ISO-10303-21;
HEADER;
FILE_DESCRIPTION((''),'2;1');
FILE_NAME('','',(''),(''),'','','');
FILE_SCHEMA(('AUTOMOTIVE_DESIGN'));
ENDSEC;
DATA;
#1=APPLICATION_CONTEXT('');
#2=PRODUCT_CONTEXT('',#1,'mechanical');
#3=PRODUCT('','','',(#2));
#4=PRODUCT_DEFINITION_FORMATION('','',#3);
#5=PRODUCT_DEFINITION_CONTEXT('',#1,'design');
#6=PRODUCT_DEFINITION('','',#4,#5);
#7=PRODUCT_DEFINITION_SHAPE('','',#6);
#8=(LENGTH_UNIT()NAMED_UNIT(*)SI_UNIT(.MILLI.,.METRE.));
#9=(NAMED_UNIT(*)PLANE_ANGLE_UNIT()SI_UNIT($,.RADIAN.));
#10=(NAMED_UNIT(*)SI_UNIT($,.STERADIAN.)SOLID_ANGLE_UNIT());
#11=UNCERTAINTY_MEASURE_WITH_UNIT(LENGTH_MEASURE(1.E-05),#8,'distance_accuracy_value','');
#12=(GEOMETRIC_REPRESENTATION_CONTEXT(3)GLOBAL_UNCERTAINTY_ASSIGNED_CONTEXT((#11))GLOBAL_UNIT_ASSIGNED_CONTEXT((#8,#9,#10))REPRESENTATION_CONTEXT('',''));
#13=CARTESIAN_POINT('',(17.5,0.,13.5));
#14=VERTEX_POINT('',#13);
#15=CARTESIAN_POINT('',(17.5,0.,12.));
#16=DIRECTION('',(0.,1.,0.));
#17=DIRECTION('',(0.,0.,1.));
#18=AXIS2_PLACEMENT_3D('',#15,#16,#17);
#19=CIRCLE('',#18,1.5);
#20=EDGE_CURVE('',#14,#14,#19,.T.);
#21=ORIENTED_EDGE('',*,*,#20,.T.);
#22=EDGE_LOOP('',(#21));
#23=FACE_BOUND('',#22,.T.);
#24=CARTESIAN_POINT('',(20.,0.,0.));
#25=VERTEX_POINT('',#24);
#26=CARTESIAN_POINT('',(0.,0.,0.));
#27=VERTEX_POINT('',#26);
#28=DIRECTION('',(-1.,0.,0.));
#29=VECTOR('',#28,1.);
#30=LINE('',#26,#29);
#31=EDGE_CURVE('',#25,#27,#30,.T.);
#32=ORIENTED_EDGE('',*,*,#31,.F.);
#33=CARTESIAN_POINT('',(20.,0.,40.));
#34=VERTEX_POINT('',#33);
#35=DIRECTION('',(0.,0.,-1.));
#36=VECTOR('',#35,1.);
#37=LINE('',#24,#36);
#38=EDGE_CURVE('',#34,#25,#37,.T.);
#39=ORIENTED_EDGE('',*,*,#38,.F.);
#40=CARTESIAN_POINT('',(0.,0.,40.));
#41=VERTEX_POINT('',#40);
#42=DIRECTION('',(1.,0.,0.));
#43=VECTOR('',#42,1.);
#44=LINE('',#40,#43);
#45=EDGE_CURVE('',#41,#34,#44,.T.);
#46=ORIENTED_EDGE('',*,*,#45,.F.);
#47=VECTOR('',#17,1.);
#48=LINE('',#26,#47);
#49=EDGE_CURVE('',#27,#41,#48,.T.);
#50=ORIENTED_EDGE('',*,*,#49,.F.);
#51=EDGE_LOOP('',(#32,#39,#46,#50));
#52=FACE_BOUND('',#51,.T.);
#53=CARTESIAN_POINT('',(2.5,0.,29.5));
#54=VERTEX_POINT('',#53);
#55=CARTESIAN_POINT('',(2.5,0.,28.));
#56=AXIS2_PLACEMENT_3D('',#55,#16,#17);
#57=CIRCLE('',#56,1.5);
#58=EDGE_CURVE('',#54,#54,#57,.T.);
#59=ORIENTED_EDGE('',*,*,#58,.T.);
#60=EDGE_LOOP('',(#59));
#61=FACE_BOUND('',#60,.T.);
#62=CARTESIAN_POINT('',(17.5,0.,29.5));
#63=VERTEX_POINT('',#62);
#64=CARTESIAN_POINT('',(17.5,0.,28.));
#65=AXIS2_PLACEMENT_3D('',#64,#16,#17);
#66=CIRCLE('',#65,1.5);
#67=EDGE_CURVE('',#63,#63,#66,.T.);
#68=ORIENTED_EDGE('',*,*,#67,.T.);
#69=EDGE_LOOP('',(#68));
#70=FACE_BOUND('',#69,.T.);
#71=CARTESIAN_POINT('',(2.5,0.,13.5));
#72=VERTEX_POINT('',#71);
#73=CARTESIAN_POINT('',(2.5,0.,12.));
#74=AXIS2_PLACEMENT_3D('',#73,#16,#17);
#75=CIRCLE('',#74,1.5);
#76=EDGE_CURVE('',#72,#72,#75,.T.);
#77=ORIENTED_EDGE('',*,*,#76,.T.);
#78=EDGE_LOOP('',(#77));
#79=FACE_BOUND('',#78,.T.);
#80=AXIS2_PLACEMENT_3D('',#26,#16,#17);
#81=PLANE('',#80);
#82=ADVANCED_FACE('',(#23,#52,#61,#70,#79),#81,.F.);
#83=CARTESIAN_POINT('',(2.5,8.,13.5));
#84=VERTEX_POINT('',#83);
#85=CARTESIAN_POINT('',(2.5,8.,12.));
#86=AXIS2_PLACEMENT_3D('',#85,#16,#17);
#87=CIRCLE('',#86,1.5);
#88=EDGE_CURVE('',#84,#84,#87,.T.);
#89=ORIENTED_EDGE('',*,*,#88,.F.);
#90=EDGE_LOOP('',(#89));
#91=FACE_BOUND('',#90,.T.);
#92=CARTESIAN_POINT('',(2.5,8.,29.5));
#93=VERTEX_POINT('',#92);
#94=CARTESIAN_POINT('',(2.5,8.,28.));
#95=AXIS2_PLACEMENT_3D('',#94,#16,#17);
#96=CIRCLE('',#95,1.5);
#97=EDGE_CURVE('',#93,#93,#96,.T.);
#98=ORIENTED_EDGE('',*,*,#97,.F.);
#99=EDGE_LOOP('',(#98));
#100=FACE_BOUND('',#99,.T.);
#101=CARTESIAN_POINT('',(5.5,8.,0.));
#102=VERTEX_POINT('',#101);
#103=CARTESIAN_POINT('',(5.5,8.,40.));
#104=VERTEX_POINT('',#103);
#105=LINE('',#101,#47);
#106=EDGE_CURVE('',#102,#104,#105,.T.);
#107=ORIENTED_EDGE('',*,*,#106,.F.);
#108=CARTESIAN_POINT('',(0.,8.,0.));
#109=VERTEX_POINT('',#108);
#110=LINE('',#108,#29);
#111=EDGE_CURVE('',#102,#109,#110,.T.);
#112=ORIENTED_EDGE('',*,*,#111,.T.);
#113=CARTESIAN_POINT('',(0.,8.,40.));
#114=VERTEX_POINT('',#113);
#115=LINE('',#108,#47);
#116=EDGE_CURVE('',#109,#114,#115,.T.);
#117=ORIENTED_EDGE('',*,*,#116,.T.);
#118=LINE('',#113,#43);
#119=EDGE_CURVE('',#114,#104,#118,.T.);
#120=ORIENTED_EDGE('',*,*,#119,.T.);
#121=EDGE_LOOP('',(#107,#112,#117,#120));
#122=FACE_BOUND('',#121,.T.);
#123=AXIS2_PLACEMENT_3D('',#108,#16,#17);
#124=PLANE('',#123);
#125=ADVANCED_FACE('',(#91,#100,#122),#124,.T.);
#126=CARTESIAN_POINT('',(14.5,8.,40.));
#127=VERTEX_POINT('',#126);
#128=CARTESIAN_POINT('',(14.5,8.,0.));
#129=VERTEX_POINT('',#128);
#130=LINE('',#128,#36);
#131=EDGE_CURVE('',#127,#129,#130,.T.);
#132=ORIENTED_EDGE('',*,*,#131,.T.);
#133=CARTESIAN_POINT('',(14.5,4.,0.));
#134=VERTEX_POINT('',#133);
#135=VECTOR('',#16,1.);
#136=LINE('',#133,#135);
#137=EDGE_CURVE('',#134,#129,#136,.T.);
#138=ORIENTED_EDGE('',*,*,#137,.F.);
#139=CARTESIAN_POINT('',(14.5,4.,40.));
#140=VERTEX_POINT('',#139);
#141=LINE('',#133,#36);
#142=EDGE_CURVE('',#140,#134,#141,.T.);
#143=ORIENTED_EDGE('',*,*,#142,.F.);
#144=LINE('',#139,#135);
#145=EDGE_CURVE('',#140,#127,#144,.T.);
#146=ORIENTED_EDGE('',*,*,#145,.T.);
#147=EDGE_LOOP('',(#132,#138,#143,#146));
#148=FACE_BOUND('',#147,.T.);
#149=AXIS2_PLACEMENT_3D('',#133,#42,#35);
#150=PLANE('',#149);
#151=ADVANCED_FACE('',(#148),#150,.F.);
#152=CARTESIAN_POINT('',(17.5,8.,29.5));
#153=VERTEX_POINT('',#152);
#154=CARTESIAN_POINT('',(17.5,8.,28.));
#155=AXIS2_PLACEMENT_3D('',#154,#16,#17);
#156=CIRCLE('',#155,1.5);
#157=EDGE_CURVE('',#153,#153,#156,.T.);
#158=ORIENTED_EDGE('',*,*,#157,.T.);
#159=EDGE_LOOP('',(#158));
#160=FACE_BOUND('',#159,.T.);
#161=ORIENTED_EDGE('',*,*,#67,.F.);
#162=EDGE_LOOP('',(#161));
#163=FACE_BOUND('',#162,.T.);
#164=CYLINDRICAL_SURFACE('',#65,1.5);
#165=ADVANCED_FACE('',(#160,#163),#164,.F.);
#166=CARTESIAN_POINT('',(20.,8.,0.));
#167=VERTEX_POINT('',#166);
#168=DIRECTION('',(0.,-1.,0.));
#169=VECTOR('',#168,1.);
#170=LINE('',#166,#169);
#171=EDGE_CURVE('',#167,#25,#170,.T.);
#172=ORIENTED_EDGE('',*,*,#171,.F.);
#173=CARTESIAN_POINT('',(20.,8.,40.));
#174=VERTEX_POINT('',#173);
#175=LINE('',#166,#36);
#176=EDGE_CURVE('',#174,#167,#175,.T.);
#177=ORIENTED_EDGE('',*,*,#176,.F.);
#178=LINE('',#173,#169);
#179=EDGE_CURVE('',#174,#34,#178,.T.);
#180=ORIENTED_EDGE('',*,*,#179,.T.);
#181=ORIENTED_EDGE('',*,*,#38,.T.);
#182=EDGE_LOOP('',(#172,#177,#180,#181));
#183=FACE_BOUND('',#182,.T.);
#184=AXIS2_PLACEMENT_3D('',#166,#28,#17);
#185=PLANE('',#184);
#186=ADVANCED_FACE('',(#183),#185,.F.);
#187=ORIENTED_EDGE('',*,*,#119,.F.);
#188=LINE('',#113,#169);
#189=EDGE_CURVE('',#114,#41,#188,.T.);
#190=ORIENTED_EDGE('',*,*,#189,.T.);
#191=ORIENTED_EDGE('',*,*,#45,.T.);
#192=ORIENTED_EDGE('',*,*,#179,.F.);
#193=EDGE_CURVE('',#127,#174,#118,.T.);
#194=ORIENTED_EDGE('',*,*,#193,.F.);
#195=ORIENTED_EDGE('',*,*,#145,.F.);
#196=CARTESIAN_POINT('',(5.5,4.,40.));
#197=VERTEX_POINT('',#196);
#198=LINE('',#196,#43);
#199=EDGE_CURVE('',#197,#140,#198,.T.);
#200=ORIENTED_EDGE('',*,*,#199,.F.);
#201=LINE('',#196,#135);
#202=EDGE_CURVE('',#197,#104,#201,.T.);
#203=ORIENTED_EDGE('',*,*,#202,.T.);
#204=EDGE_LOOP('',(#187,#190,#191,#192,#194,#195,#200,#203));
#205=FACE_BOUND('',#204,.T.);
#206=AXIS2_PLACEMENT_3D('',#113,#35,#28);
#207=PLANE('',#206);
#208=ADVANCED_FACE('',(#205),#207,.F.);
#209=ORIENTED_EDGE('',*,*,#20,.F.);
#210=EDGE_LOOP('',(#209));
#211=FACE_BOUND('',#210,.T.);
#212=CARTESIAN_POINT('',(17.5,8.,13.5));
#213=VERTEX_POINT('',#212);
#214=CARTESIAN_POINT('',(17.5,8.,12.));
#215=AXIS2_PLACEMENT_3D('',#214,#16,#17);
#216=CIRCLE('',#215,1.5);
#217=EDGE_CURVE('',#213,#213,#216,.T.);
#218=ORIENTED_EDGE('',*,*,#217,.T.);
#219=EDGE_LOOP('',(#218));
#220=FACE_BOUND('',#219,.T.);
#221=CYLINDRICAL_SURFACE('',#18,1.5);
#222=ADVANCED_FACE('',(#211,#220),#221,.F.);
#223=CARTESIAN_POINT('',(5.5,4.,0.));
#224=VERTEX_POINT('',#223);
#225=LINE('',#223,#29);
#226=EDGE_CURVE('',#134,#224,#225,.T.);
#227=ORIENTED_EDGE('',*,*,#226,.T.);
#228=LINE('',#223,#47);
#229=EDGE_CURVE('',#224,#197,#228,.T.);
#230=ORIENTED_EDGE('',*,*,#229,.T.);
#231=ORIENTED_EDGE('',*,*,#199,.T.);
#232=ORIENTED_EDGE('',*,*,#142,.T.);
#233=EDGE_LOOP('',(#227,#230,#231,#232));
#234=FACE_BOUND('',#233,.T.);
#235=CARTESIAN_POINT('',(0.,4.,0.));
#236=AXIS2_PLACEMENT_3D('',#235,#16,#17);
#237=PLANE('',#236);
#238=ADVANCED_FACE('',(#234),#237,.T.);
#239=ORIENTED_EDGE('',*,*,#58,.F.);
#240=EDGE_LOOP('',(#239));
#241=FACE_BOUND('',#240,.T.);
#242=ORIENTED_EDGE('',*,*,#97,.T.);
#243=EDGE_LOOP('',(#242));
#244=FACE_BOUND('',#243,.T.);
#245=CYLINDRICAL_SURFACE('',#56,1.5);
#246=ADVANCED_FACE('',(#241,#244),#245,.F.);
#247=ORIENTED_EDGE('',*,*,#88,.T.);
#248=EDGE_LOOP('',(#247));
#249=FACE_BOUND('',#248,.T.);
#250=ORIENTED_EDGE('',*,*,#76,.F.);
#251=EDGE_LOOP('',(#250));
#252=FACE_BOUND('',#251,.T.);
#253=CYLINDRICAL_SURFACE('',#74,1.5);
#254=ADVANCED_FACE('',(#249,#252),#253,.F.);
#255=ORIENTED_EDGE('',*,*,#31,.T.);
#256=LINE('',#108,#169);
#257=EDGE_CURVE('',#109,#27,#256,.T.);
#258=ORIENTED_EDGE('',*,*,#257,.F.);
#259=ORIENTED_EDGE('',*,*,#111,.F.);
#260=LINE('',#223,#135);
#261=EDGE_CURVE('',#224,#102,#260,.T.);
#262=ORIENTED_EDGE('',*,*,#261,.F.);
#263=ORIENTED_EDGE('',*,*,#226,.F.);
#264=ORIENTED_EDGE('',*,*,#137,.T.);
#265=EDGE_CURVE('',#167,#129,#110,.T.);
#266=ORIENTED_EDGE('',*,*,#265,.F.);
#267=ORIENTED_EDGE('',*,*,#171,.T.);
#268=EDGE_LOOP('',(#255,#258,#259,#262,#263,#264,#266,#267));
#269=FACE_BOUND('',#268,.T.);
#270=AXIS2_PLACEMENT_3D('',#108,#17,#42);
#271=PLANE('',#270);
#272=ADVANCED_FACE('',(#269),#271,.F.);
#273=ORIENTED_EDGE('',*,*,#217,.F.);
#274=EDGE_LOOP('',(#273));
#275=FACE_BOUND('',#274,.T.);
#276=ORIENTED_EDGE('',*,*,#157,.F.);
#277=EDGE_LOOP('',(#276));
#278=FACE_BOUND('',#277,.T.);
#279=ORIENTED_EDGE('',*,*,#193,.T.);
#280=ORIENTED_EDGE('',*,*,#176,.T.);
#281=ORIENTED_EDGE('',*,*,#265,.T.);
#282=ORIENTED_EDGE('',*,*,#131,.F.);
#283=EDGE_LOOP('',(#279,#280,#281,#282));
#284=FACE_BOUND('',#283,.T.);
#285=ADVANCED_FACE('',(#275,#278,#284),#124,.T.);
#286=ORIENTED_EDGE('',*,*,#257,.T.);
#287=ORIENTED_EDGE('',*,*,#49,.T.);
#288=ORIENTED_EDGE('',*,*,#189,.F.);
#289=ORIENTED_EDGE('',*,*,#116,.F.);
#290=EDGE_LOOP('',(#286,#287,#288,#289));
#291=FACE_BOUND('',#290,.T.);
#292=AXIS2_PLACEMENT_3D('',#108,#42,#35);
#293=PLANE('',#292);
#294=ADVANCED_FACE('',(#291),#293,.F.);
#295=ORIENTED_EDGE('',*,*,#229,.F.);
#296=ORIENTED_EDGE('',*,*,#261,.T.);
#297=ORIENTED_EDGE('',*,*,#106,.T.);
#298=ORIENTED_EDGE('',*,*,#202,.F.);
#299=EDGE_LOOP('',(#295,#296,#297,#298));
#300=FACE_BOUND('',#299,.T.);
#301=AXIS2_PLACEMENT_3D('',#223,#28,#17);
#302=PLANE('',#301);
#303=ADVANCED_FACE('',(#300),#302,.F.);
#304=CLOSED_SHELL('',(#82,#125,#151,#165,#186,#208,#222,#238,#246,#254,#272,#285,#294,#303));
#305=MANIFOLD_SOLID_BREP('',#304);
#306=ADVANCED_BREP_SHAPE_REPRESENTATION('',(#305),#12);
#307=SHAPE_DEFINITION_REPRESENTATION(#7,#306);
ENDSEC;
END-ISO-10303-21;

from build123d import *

# Parameters (mm, degrees)
SKETCH_1_W          = 20
SKETCH_1_H          = 40
EXTRUDE_1_DEPTH     = 8
SKETCH_2_R          = 1.5
CUT_EXTRUDE_1_DEPTH = 46.431266766
SKETCH_3_W          = 9
SKETCH_3_H          = 40
CUT_EXTRUDE_2_DEPTH = 4


with BuildPart() as part:
    # 草图1 → 凸台-拉伸1 (new body)
    with BuildSketch(Plane(origin=(0, 0, 0), x_dir=(1, 0, 0), z_dir=(0, 1, 0))):
        with Locations((10, -20)):
            Rectangle(SKETCH_1_W, SKETCH_1_H)
    extrude(amount=EXTRUDE_1_DEPTH)

    # 草图2 → 切除-拉伸1 (cut, through all)
    with BuildSketch(Plane(origin=(0, 8, 0), x_dir=(1, 0, 0), z_dir=(0, 1, 0))):
        with Locations(Location((2.5, -28, 0), (0, 0, 270))):
            Circle(SKETCH_2_R)
        with Locations(Location((17.5, -28, 0), (0, 0, 270))):
            Circle(SKETCH_2_R)
        with Locations(Location((17.5, -12, 0), (0, 0, 270))):
            Circle(SKETCH_2_R)
        with Locations(Location((2.5, -12, 0), (0, 0, 270))):
            Circle(SKETCH_2_R)
    extrude(amount=-CUT_EXTRUDE_1_DEPTH, mode=Mode.SUBTRACT)

    # 草图3 → 切除-拉伸2 (cut)
    with BuildSketch(Plane(origin=(0, 8, 0), x_dir=(1, 0, 0), z_dir=(0, 1, 0))):
        with Locations((10, -20)):
            Rectangle(SKETCH_3_W, SKETCH_3_H)
    extrude(amount=-CUT_EXTRUDE_2_DEPTH, mode=Mode.SUBTRACT)


solid = part.part
